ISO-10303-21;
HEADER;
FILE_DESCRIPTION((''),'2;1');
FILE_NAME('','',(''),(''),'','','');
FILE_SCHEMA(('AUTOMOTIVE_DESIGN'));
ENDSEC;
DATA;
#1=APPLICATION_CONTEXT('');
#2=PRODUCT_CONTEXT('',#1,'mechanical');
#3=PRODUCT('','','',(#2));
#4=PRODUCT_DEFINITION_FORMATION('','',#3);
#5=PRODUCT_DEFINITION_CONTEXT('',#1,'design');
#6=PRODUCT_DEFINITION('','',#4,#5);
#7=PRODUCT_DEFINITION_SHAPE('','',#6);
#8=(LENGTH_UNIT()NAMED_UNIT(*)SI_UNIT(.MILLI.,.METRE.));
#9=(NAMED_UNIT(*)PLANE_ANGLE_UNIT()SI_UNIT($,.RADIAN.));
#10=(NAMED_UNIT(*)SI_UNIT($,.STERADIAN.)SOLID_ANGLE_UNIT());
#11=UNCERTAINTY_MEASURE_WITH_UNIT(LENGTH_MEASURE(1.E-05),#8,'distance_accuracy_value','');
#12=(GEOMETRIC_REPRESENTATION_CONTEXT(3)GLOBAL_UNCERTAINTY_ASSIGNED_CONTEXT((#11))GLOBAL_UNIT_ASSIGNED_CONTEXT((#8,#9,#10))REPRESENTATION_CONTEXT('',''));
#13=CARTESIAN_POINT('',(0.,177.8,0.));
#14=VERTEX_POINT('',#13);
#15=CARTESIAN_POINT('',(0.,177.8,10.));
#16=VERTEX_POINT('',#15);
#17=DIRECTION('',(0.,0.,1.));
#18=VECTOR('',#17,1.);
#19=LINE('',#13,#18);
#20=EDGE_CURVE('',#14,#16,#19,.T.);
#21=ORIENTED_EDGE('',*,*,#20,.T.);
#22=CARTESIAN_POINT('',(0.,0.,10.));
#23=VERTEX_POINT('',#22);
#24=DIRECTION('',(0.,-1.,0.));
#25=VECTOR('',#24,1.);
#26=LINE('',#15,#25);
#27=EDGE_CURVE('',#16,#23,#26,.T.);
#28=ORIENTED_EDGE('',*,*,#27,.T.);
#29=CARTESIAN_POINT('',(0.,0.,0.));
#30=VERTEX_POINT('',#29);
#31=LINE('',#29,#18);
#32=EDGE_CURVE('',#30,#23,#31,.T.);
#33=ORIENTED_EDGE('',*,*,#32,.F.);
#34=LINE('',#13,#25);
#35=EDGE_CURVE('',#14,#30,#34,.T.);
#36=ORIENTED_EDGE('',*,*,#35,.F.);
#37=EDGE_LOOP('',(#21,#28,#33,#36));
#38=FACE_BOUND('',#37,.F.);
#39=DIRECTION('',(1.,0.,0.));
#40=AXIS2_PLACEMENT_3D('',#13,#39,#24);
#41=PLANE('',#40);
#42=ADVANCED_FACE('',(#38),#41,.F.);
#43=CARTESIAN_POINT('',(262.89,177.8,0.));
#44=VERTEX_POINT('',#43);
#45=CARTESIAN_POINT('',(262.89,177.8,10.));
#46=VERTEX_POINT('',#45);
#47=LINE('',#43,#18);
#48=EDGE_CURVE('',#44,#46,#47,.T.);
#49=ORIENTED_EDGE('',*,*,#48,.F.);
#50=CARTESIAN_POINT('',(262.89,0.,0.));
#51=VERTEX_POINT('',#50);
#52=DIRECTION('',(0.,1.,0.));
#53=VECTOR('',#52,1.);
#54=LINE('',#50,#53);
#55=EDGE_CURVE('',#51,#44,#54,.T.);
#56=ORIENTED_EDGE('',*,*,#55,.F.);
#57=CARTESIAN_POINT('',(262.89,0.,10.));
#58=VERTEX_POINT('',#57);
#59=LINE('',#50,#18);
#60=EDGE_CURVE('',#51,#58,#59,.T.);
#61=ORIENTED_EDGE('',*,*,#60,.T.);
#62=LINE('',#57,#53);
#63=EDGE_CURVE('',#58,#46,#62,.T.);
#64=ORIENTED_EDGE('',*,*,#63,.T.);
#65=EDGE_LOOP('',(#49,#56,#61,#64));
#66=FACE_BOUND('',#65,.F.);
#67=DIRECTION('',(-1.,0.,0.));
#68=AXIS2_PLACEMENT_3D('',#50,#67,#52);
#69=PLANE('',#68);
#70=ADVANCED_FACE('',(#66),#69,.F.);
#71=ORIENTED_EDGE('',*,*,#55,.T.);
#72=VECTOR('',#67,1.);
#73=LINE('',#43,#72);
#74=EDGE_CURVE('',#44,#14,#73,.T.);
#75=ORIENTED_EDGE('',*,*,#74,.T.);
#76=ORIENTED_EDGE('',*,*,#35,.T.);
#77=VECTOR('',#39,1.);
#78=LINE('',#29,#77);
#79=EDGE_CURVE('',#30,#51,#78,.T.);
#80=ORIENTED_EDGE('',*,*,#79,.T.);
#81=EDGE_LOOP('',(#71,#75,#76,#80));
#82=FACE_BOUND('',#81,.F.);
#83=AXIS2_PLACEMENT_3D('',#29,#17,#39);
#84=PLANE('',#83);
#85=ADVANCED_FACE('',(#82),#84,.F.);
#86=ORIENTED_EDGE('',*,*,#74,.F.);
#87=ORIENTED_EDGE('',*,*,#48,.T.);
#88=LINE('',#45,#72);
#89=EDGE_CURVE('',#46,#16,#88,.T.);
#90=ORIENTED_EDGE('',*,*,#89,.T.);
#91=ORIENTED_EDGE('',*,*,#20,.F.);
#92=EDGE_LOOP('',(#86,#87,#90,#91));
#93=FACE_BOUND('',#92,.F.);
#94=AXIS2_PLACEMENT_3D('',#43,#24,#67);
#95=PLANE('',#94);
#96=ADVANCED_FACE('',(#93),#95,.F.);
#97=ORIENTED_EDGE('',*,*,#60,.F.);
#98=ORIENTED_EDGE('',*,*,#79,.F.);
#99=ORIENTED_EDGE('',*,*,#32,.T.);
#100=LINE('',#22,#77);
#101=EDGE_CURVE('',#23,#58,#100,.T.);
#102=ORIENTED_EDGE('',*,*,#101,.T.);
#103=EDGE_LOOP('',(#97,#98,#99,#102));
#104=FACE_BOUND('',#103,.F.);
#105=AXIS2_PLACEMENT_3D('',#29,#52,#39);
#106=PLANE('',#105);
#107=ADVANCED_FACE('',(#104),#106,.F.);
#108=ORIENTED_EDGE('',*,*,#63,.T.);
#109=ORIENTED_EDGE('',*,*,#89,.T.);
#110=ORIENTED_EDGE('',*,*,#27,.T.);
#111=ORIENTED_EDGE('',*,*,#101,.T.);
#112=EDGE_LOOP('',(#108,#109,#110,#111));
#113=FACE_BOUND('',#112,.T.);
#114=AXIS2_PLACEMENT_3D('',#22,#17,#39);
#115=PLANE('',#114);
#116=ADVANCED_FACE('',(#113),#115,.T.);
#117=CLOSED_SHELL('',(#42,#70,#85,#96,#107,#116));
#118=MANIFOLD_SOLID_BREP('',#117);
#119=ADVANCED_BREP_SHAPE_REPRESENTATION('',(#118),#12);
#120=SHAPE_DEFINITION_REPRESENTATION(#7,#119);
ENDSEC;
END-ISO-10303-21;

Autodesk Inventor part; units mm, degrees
ref_plane "YZ Plane" through (0, 0, 0) normal (1, 0, 0) x (0, 1, 0)
ref_plane "XZ Plane" through (0, 0, 0) normal (0, 1, 0) x (-1, 0, 0)
ref_plane "XY Plane" through (0, 0, 0) normal (0, 0, 1) x (1, 0, 0)
sketch "Sketch1" plane through (0, 0, 0) normal (0, 0, 1) x (1, 0, 0)
  line L0 (0, 0) -> (262.89, 0)
  line L1 (262.89, 0) -> (262.89, 177.8)
  line L2 (262.89, 177.8) -> (0, 177.8)
  line L3 (0, 177.8) -> (0, 0)
  dimension "d0" = 262.89
  dimension "d1" = 177.8
extrude "Extrusion1" add sketch "Sketch1" along normal blind 10
properties part number "BA12" material "ABS Plastic"
